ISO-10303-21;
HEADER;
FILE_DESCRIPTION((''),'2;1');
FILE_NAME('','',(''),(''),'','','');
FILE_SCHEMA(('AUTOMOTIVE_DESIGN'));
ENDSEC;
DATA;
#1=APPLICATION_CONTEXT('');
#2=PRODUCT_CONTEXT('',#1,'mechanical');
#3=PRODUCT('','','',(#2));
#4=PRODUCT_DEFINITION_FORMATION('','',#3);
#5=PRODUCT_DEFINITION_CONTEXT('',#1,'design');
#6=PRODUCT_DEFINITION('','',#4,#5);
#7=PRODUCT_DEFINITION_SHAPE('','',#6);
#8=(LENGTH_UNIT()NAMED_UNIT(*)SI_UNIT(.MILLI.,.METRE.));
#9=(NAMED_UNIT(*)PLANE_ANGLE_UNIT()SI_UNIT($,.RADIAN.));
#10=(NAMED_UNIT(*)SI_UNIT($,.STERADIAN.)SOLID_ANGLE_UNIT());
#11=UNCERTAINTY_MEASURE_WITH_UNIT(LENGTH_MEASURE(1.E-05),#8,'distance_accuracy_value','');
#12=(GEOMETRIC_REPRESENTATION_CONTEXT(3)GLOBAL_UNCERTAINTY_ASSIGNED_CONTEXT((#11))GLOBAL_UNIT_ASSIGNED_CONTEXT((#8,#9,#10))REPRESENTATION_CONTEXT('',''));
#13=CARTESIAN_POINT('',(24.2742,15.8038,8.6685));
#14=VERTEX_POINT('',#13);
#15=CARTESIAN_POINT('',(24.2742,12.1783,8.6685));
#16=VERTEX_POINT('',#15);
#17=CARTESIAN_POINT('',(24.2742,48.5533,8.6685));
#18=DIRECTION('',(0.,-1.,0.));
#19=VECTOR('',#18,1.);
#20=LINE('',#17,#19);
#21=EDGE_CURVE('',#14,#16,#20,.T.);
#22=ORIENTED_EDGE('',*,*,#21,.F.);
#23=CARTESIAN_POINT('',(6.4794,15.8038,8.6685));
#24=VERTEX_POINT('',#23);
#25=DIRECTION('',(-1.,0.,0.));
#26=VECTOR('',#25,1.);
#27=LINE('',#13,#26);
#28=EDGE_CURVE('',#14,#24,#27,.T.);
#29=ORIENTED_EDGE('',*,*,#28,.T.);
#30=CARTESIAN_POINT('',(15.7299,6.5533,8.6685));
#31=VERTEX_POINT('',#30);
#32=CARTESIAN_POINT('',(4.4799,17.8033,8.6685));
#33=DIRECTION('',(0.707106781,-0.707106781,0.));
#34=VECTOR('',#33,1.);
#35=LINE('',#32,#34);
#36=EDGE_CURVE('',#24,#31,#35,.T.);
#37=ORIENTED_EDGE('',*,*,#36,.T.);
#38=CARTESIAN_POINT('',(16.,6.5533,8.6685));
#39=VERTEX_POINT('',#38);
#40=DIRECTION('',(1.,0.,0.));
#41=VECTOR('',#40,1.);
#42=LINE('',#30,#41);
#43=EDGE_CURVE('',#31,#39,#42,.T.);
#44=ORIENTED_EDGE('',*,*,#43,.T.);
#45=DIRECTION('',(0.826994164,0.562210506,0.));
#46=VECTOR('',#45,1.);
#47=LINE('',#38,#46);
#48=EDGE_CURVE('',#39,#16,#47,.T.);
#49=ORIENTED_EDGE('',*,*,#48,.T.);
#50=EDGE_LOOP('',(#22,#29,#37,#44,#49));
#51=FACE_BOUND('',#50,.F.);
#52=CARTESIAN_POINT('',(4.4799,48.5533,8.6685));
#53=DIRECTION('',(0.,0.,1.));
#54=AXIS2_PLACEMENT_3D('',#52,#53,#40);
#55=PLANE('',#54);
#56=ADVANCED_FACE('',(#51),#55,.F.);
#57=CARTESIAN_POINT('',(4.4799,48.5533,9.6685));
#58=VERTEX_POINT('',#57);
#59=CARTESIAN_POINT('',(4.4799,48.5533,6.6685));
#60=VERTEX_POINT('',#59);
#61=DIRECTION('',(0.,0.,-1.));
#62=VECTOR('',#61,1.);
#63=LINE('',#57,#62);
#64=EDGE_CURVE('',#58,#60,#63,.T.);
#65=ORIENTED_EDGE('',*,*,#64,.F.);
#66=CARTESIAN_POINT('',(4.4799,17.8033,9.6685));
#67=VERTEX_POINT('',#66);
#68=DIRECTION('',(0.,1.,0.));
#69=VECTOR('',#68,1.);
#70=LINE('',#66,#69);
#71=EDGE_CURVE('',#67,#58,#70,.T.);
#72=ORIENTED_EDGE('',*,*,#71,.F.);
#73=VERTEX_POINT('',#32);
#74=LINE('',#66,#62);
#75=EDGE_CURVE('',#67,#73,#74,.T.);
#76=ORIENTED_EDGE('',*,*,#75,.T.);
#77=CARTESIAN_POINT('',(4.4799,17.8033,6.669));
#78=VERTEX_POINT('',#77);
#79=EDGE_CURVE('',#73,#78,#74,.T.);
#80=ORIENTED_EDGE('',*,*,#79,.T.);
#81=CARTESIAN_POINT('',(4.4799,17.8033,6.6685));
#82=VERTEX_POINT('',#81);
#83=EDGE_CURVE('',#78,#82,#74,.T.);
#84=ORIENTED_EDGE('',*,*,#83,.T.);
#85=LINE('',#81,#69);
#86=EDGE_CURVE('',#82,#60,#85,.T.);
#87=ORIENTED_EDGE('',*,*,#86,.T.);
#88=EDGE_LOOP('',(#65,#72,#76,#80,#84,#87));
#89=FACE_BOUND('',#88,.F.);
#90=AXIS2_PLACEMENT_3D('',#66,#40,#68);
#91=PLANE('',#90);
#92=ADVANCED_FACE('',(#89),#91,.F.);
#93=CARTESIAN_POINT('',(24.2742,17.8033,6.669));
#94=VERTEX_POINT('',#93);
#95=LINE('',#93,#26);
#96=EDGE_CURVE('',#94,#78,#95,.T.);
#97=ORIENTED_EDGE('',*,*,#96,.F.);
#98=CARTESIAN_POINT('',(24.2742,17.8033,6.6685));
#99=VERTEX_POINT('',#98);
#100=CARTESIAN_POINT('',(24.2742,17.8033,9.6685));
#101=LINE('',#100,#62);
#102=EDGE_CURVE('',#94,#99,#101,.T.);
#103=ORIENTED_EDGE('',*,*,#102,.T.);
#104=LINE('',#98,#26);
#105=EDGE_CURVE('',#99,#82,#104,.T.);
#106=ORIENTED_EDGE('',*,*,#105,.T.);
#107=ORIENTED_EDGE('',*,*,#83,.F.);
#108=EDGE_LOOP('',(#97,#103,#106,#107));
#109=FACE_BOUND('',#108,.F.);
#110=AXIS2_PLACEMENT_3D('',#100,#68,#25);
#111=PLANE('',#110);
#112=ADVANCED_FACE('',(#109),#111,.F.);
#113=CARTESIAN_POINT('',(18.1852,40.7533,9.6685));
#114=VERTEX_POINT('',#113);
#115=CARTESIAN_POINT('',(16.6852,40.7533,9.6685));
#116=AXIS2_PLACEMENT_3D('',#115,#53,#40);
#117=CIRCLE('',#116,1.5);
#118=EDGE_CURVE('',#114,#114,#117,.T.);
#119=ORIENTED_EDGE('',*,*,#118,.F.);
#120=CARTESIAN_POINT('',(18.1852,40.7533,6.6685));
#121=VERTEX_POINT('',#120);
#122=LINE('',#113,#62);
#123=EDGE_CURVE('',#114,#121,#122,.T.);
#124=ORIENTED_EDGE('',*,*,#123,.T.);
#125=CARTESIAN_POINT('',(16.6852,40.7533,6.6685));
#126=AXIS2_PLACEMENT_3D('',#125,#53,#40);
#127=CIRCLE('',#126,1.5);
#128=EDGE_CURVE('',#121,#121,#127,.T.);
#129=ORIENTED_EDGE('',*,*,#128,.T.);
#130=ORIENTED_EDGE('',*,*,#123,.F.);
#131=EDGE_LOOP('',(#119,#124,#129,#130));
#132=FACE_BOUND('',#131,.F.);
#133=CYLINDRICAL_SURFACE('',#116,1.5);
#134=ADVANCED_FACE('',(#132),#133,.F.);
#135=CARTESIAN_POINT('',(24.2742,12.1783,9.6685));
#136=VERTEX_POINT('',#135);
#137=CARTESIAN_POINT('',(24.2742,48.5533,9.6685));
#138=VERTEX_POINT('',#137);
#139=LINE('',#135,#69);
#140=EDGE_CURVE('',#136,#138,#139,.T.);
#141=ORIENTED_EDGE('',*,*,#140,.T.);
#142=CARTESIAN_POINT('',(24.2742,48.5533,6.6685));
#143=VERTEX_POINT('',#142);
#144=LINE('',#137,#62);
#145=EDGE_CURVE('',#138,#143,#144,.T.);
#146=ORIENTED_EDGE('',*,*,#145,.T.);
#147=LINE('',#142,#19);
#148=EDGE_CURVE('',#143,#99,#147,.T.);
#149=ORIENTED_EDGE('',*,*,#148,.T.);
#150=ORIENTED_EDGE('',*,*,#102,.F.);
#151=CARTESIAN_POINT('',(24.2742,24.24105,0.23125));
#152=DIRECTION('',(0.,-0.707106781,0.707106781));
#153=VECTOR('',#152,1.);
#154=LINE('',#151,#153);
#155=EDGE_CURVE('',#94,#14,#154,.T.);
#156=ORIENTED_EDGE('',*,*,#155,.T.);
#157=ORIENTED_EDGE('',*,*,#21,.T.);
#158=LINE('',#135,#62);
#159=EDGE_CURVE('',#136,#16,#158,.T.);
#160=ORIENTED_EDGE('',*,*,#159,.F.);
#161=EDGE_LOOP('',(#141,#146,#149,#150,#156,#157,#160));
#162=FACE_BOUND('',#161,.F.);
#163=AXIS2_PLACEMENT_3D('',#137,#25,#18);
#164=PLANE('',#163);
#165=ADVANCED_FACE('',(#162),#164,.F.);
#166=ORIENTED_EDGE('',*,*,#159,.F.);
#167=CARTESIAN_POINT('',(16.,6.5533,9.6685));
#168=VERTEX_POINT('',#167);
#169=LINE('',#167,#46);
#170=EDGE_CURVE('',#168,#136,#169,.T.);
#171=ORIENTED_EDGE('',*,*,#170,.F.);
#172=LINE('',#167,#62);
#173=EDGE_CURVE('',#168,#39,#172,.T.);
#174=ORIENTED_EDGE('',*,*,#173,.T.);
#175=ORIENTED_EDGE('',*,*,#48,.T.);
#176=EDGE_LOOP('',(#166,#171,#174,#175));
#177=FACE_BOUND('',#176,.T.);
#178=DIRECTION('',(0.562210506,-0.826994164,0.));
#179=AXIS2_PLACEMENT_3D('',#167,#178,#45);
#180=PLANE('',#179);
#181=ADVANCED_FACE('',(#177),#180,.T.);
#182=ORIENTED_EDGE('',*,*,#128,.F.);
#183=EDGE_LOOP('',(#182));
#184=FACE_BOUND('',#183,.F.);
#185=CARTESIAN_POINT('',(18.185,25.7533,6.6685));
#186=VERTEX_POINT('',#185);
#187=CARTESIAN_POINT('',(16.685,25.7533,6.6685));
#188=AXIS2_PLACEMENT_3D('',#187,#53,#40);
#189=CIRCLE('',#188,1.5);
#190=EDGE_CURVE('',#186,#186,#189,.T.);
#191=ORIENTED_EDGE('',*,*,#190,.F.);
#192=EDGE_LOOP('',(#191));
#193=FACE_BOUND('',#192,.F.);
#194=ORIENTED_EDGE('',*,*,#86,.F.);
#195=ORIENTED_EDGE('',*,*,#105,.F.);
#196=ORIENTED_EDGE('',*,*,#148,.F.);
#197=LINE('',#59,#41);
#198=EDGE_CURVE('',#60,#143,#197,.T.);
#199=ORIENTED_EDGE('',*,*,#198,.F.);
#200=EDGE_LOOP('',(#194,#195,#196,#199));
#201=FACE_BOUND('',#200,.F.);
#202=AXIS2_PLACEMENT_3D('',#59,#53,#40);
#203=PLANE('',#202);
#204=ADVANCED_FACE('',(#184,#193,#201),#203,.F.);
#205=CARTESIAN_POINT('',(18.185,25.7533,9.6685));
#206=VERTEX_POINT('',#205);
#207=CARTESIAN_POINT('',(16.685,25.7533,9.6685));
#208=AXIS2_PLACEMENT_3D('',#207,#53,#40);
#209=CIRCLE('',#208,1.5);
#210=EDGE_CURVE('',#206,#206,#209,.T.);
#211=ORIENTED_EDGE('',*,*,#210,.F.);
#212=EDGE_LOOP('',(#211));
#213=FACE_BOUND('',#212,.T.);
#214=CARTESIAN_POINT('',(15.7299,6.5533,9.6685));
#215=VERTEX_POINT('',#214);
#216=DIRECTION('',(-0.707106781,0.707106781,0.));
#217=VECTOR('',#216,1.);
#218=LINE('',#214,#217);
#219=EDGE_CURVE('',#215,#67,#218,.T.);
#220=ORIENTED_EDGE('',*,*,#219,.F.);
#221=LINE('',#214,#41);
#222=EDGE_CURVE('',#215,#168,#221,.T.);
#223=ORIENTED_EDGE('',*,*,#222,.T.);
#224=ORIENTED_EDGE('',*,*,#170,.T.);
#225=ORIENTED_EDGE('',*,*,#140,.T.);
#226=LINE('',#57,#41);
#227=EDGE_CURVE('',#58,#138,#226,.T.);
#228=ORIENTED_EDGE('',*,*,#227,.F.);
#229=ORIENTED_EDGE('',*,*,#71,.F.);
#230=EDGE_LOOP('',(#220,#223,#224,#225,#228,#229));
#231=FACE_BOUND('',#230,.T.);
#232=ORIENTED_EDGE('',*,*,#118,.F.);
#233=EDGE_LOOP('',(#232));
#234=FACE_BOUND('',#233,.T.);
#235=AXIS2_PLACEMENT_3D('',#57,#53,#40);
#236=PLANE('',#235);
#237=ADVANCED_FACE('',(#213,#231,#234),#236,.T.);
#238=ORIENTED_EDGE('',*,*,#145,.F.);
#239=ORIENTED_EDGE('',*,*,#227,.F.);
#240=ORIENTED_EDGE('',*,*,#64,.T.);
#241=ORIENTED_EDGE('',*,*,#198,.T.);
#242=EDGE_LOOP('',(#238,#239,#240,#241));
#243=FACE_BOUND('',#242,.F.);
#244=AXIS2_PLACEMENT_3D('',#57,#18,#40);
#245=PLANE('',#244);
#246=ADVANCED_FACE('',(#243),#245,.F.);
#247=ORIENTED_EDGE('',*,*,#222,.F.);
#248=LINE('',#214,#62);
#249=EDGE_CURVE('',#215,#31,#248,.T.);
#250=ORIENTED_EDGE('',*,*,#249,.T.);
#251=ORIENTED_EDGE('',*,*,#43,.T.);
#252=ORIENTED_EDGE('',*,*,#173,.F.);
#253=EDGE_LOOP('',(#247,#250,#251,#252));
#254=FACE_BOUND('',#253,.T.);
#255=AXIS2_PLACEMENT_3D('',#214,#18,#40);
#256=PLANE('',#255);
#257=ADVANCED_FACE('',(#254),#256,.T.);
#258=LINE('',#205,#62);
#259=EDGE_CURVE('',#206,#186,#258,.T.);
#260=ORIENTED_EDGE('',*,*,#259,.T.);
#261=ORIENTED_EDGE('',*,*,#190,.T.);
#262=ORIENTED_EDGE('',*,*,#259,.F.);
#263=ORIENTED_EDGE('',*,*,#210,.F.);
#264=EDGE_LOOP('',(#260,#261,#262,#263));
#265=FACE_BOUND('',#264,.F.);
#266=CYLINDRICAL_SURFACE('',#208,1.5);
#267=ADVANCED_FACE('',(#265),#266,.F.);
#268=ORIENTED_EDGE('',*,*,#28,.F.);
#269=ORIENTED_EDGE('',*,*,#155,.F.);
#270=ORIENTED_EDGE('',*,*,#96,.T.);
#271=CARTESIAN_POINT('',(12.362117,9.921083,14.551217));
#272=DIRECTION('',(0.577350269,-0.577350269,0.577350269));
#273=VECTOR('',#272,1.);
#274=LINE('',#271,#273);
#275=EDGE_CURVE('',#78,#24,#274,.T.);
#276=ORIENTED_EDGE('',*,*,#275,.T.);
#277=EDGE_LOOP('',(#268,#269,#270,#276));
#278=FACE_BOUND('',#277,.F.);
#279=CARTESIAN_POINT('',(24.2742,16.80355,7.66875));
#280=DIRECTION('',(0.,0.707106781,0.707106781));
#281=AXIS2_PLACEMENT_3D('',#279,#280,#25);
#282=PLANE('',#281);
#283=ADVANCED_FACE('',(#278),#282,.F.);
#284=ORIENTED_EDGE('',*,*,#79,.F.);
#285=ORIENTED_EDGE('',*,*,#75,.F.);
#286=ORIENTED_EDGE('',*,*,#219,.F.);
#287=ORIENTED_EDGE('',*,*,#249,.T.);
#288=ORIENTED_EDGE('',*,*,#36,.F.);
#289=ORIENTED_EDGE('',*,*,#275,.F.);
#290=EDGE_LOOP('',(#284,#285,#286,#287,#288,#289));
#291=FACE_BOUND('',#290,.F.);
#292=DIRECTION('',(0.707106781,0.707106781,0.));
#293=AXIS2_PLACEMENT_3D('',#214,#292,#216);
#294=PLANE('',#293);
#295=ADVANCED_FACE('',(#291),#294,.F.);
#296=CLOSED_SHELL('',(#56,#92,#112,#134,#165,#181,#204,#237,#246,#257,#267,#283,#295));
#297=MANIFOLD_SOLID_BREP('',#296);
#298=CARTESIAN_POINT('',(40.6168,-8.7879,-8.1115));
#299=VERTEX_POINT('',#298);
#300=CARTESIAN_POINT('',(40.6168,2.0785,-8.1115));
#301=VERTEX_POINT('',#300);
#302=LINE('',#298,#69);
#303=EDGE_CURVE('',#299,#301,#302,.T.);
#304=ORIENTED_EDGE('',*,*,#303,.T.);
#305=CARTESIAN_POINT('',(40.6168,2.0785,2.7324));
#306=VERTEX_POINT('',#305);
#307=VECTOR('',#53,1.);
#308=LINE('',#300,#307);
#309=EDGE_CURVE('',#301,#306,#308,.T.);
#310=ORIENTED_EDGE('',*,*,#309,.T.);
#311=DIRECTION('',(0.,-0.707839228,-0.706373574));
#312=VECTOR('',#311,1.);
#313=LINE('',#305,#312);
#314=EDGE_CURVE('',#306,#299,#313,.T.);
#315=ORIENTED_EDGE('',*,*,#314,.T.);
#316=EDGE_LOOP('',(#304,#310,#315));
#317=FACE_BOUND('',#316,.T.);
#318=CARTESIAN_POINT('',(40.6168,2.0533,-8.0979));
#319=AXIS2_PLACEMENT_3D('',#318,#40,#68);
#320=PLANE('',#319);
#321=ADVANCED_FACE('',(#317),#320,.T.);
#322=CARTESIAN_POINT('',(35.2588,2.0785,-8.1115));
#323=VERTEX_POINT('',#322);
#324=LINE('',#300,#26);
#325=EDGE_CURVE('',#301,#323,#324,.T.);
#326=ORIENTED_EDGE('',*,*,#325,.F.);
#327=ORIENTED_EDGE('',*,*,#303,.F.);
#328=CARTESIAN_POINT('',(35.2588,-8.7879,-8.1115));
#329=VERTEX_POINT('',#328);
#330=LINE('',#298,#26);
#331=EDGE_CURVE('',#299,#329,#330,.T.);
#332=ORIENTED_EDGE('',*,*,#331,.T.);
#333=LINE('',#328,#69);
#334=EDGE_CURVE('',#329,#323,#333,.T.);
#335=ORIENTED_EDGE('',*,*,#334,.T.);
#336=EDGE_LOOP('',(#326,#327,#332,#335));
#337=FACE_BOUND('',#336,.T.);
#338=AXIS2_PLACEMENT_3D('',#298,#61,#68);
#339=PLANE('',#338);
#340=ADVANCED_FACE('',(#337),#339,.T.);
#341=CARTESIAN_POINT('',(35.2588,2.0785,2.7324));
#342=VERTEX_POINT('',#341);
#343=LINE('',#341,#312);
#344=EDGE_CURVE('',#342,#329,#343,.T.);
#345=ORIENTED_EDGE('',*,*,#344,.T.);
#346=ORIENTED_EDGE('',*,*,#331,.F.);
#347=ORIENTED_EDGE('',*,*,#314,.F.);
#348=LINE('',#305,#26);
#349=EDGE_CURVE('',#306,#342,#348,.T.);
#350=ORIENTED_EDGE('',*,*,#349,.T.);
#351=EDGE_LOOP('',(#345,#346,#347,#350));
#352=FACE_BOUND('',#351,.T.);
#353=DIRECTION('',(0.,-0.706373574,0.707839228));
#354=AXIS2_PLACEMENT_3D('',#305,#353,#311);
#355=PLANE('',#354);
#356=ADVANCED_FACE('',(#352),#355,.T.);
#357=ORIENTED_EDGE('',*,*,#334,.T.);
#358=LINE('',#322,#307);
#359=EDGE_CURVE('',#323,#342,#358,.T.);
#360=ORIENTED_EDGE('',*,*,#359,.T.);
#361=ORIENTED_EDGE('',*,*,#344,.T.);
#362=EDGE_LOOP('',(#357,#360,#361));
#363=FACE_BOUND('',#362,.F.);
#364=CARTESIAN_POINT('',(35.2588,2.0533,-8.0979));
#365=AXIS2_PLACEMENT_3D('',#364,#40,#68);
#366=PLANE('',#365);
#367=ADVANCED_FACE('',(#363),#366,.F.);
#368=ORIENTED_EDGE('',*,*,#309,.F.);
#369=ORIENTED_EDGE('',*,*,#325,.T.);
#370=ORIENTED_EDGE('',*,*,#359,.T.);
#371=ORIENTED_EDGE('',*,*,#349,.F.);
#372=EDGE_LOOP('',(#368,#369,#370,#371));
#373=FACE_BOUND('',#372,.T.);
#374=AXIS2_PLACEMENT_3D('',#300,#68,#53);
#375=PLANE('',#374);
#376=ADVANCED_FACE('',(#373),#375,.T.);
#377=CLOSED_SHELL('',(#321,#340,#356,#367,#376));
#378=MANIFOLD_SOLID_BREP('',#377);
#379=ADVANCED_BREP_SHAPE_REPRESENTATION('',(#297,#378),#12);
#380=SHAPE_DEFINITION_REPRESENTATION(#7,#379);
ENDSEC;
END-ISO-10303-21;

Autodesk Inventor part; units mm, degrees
ref_plane "YZ Plane" through (0, 0, 0) normal (1, 0, 0) x (0, 1, 0)
ref_plane "XZ Plane" through (0, 0, 0) normal (0, 1, 0) x (-1, 0, 0)
ref_plane "XY Plane" through (0, 0, 0) normal (0, 0, 1) x (1, 0, 0)
sketch "Эскиз1" plane through (40.6168, 2.0533, -8.0979) normal (1, 0, 0) x (0, 1, 0)
  line L0 (0.0252, 10.8303) -> (-10.8412, -0.0136)
  line L1 (-10.8412, -0.0136) -> (0.0252, -0.0136)
  line L2 (0.0252, -0.0136) -> (0.0252, 10.8303)
  point P0 (-2.0533, 8.0979)
extrude "Выдавливание1" add sketch "Эскиз1" against normal blind 5.358
sketch "Эскиз2" plane through (4.4799, 48.5533, 9.6685) normal (0, 0, 1) x (1, 0, 0)
  line L0 (11.25, -42) -> (0, -30.75) projected
  line L1 (0, -30.75) -> (0, 0) projected
  line L2 (0, 0) -> (-7.4799, 0) projected
  line L3 (11.5201, -60) -> (11.5201, -42) projected
  line L4 (11.25, -42) -> (11.5201, -42) projected
  line L5 (0, 0) -> (19.7943, 0)
  line L6 (19.7943, 0) -> (19.7943, -36.375)
  line L7 (19.7943, -36.375) -> (5.625, -36.375)
  circle A0 centre (-3.7947, -7.8002) radius 1.5003 projected
  circle A1 centre (-3.7949, -22.8) radius 1.5 projected
  circle A2 centre (12.2053, -7.8) radius 1.5
  circle A3 centre (12.2051, -22.8) radius 1.5
  line L8 (11.5201, -42) -> (19.7943, -36.375)
  line L9 (-0.1192, -30.8692) -> (0, -30.75)
  line L10 (19.7943, -30.75) -> (0, -30.75)
  line L11 (19.7943, -30.75) -> (11.5201, -42)
  point P0 (-4.4799, -48.5533)
  point P1 (15.6572, -36.375)
  dimension "d2" = 3
  dimension "d3" = 3
  dimension "d4" = 16
  dimension "d5" = 16
  dimension "d6" = 13.575
  dimension "d7" = 13.575
  dimension "d8" = 15
extrude "Выдавливание2" add sketch "Эскиз2" against normal blind 3 contours L1 L5 L6 L10
extrude "Выдавливание3" add sketch "Эскиз2" against normal blind 1 contours L0 L7 L11 L4 | L0 L10 L11 L7 | L11 L7 L8 | L11 L6 L7
chamfer "Фаска1" distance 2 angle 45 1 edges at (14.377, 17.8033, 8.6685)
properties part number "крепежная основа_спасена"
